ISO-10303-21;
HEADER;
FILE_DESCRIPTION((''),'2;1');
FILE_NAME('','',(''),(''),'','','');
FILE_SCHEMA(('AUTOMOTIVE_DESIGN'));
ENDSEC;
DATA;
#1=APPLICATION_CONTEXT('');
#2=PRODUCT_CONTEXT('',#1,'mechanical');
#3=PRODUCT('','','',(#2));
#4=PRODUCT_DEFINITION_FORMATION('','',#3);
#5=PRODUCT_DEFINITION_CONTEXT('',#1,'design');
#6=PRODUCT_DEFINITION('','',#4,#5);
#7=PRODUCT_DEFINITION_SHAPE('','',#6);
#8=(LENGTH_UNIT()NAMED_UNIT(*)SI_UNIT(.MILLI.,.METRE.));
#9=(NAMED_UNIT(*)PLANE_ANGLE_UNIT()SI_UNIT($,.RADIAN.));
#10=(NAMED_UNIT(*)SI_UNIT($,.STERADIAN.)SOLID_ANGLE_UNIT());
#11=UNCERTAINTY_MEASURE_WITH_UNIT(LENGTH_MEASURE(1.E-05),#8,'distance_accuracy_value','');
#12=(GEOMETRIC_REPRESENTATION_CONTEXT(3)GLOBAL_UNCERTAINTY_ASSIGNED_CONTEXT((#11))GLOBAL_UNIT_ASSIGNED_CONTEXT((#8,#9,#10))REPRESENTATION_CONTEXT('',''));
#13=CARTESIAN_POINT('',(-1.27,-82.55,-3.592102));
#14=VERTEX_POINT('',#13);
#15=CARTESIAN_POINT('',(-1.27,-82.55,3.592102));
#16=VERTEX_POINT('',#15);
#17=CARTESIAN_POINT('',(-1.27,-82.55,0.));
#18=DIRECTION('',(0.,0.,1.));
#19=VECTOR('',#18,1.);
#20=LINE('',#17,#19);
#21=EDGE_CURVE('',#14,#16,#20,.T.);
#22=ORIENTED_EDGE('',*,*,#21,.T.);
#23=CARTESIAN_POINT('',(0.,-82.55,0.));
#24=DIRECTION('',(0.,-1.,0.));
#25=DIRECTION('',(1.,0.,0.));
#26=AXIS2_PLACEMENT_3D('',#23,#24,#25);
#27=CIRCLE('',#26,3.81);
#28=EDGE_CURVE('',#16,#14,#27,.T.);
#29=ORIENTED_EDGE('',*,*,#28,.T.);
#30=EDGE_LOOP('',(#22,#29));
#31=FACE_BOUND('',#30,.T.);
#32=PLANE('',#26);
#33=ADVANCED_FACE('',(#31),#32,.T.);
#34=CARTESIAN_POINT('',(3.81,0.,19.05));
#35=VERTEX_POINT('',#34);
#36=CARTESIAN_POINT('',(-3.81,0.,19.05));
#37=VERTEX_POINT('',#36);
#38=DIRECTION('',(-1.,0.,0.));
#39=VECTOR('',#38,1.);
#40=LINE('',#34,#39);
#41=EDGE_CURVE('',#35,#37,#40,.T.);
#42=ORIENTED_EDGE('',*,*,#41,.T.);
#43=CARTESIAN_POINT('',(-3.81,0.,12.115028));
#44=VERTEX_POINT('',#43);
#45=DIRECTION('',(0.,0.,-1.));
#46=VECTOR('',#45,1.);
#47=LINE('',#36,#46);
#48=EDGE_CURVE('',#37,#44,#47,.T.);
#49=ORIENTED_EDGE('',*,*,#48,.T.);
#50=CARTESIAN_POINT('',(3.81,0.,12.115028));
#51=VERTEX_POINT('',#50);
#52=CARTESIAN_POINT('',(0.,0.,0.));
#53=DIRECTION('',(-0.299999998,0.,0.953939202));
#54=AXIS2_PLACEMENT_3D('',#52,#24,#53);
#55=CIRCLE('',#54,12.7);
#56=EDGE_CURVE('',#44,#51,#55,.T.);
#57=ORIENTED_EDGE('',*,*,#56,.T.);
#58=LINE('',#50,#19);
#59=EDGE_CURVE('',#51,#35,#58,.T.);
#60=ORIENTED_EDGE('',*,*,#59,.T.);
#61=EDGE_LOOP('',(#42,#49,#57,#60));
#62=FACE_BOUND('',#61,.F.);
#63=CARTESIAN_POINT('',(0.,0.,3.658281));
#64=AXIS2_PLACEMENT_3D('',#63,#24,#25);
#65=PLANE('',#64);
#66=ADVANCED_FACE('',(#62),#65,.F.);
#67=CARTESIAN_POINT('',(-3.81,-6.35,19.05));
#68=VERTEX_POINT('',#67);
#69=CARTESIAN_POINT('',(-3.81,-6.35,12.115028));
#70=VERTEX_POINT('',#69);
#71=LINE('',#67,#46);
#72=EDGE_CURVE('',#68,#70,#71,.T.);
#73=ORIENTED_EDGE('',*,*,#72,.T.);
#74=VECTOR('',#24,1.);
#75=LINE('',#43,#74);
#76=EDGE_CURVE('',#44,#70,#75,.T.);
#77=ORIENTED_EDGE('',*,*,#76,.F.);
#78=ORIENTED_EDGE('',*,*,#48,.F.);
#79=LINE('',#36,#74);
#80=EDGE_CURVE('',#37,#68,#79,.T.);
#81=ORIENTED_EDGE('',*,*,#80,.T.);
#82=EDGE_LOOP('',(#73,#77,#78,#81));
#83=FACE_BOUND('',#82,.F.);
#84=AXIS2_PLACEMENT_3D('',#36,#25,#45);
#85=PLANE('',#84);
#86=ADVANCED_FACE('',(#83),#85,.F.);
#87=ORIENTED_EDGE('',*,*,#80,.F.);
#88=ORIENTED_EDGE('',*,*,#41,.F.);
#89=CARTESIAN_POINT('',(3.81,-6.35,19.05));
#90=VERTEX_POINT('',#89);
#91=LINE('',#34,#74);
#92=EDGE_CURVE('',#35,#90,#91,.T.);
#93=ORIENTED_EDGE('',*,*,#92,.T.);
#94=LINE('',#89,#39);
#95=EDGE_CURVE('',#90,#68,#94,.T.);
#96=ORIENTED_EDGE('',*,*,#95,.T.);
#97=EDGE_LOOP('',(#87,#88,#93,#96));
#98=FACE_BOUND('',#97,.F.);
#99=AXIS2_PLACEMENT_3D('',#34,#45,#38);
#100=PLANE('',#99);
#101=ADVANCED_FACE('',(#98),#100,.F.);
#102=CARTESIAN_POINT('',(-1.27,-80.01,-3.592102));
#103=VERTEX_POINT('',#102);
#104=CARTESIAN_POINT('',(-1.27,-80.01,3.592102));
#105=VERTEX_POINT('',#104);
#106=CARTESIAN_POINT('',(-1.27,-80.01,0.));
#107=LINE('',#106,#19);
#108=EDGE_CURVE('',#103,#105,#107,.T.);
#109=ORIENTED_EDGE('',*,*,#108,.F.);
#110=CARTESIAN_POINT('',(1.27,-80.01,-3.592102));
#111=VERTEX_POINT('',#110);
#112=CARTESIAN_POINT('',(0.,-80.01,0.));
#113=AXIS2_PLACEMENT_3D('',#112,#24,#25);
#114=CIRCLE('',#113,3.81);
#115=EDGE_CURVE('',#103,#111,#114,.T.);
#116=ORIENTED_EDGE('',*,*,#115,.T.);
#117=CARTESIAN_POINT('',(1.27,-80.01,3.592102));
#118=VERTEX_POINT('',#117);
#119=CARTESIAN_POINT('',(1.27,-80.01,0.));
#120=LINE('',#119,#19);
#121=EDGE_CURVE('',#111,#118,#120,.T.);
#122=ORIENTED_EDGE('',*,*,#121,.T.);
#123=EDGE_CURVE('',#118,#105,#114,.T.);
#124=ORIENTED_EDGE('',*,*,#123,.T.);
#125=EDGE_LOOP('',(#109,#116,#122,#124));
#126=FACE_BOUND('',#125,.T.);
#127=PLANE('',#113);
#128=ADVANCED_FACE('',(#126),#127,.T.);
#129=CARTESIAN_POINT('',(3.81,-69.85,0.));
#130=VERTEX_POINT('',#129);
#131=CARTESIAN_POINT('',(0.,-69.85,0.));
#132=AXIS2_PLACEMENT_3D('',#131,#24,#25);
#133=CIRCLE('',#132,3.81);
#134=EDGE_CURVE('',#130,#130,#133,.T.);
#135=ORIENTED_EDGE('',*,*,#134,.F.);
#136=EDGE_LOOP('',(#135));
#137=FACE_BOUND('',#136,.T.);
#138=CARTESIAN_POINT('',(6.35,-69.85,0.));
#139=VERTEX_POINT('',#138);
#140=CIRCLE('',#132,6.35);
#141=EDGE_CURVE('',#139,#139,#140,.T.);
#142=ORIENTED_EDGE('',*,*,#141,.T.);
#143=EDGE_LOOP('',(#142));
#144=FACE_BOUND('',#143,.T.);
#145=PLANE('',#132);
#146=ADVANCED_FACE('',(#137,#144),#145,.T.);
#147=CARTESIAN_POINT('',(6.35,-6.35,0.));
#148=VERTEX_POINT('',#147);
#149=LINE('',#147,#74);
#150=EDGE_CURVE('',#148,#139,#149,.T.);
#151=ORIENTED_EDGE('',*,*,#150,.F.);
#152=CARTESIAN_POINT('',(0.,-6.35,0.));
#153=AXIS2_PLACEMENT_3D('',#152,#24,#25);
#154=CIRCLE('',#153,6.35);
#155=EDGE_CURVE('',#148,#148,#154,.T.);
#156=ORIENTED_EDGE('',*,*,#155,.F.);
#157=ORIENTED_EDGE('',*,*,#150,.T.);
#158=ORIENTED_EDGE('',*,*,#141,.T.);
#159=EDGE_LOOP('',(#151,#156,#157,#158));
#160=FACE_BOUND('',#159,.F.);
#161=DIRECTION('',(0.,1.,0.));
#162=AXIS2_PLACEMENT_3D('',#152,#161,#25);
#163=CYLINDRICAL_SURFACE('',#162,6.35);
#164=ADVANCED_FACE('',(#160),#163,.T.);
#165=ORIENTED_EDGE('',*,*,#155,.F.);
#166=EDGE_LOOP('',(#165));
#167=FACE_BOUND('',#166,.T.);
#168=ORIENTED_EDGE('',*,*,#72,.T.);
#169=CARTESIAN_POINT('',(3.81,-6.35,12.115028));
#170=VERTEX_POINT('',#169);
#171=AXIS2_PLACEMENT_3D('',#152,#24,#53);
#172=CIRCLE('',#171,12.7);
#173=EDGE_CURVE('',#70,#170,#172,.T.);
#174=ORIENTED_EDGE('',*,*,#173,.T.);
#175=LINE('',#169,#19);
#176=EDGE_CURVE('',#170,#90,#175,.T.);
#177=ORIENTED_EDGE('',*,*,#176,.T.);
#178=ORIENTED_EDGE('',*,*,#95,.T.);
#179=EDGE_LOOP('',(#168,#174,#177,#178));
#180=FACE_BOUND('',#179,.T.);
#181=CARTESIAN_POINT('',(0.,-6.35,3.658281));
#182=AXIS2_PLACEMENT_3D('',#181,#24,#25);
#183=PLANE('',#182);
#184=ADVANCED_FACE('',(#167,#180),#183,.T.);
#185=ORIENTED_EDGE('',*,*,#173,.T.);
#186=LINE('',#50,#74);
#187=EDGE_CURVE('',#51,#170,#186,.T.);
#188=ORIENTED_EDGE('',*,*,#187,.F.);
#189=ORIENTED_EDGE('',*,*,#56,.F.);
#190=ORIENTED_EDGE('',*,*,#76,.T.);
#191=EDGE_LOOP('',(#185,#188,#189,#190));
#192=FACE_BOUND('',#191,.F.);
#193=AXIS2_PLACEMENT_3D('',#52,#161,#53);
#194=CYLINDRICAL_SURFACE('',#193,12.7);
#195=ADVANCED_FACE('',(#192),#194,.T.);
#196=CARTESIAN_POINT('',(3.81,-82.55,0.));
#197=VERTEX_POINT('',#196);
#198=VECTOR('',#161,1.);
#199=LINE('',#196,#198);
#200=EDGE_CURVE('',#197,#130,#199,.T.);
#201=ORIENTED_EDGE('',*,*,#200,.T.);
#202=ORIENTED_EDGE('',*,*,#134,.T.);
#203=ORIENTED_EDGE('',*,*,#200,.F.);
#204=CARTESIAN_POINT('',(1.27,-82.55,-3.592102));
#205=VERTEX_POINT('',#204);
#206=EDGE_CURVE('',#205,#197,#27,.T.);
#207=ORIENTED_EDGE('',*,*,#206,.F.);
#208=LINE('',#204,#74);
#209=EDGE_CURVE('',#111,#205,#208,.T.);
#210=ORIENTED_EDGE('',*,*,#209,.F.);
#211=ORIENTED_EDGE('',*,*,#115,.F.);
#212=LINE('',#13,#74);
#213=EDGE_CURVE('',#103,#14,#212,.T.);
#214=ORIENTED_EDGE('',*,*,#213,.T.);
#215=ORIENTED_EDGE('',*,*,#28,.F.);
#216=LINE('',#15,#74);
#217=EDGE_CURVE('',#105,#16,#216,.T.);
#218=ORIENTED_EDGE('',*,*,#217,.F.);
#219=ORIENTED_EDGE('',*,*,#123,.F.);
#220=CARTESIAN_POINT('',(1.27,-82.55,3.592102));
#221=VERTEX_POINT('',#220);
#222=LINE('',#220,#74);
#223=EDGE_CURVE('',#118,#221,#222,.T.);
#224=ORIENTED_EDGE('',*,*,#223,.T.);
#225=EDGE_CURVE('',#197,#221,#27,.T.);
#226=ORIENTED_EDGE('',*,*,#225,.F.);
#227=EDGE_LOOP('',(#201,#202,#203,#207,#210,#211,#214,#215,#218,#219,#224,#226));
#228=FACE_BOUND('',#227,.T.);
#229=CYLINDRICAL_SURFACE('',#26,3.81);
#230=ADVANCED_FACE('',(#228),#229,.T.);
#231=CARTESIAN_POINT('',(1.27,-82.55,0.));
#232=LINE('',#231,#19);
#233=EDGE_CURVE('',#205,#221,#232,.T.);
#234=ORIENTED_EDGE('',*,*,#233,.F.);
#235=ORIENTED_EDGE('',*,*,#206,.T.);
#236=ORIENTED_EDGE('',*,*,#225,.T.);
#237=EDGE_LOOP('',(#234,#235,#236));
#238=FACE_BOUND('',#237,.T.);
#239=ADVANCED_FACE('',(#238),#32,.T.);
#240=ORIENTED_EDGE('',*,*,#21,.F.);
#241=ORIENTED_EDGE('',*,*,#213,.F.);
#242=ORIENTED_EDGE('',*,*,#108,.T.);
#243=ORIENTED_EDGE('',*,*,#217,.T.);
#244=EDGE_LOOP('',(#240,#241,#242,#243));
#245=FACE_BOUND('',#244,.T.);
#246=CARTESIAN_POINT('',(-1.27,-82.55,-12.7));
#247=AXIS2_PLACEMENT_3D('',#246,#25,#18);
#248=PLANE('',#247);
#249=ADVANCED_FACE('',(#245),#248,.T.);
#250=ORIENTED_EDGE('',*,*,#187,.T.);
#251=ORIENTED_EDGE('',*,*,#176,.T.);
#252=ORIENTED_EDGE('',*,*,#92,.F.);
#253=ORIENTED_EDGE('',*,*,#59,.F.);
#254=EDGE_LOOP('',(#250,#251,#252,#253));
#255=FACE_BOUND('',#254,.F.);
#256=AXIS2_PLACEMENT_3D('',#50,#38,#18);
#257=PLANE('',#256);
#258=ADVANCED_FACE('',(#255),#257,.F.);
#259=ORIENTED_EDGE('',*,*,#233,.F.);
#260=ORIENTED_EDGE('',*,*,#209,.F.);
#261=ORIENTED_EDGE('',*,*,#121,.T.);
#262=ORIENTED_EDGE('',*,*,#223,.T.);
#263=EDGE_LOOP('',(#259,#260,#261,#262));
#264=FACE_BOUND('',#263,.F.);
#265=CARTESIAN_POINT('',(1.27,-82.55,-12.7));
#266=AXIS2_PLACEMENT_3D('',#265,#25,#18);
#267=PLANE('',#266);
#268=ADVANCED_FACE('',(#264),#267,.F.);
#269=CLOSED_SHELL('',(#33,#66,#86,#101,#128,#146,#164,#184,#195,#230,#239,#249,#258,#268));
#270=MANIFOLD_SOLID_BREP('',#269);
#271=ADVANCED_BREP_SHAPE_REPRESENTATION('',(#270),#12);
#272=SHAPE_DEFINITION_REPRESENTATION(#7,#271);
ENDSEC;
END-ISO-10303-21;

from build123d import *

# Parameters (mm, degrees)
F1_DEPTH = 6.35
F2_R     = 6.35
F3_DEPTH = 76.2
F4_R     = 6.35
F4_R_2   = 3.81
F5_DEPTH = 12.7
F6_W     = 2.54
F6_H     = 25.4
F7_DEPTH = 2.54


with BuildPart() as f1:
    # F0 (on Front) → F1 (new body)
    with BuildSketch(Plane.XZ):
        with BuildLine():
            Line((-3.81, 19.05), (-3.81, 12.115028))
            ThreePointArc((-3.81, 12.115028), (0, -12.7), (3.81, 12.115028))
            Line((3.81, 12.115028), (3.81, 19.05))
            Line((3.81, 19.05), (-3.81, 19.05))
        make_face()
    extrude(amount=F1_DEPTH)

    # F2 (on face) → F3 (join)
    with BuildSketch(Plane.XZ.offset(6.35)):
        Circle(F2_R)
    extrude(amount=F3_DEPTH)

    # F4 (on face) → F5 (cut)
    with BuildSketch(Plane.XZ.offset(82.55)):
        Circle(F4_R)
        Circle(F4_R_2, mode=Mode.SUBTRACT)
    extrude(amount=-F5_DEPTH, mode=Mode.SUBTRACT)

    # F6 (on face) → F7 (cut)
    with BuildSketch(Plane.XZ.offset(82.55)):
        Rectangle(F6_W, F6_H)
    extrude(amount=-F7_DEPTH, mode=Mode.SUBTRACT)


solid = f1.part
